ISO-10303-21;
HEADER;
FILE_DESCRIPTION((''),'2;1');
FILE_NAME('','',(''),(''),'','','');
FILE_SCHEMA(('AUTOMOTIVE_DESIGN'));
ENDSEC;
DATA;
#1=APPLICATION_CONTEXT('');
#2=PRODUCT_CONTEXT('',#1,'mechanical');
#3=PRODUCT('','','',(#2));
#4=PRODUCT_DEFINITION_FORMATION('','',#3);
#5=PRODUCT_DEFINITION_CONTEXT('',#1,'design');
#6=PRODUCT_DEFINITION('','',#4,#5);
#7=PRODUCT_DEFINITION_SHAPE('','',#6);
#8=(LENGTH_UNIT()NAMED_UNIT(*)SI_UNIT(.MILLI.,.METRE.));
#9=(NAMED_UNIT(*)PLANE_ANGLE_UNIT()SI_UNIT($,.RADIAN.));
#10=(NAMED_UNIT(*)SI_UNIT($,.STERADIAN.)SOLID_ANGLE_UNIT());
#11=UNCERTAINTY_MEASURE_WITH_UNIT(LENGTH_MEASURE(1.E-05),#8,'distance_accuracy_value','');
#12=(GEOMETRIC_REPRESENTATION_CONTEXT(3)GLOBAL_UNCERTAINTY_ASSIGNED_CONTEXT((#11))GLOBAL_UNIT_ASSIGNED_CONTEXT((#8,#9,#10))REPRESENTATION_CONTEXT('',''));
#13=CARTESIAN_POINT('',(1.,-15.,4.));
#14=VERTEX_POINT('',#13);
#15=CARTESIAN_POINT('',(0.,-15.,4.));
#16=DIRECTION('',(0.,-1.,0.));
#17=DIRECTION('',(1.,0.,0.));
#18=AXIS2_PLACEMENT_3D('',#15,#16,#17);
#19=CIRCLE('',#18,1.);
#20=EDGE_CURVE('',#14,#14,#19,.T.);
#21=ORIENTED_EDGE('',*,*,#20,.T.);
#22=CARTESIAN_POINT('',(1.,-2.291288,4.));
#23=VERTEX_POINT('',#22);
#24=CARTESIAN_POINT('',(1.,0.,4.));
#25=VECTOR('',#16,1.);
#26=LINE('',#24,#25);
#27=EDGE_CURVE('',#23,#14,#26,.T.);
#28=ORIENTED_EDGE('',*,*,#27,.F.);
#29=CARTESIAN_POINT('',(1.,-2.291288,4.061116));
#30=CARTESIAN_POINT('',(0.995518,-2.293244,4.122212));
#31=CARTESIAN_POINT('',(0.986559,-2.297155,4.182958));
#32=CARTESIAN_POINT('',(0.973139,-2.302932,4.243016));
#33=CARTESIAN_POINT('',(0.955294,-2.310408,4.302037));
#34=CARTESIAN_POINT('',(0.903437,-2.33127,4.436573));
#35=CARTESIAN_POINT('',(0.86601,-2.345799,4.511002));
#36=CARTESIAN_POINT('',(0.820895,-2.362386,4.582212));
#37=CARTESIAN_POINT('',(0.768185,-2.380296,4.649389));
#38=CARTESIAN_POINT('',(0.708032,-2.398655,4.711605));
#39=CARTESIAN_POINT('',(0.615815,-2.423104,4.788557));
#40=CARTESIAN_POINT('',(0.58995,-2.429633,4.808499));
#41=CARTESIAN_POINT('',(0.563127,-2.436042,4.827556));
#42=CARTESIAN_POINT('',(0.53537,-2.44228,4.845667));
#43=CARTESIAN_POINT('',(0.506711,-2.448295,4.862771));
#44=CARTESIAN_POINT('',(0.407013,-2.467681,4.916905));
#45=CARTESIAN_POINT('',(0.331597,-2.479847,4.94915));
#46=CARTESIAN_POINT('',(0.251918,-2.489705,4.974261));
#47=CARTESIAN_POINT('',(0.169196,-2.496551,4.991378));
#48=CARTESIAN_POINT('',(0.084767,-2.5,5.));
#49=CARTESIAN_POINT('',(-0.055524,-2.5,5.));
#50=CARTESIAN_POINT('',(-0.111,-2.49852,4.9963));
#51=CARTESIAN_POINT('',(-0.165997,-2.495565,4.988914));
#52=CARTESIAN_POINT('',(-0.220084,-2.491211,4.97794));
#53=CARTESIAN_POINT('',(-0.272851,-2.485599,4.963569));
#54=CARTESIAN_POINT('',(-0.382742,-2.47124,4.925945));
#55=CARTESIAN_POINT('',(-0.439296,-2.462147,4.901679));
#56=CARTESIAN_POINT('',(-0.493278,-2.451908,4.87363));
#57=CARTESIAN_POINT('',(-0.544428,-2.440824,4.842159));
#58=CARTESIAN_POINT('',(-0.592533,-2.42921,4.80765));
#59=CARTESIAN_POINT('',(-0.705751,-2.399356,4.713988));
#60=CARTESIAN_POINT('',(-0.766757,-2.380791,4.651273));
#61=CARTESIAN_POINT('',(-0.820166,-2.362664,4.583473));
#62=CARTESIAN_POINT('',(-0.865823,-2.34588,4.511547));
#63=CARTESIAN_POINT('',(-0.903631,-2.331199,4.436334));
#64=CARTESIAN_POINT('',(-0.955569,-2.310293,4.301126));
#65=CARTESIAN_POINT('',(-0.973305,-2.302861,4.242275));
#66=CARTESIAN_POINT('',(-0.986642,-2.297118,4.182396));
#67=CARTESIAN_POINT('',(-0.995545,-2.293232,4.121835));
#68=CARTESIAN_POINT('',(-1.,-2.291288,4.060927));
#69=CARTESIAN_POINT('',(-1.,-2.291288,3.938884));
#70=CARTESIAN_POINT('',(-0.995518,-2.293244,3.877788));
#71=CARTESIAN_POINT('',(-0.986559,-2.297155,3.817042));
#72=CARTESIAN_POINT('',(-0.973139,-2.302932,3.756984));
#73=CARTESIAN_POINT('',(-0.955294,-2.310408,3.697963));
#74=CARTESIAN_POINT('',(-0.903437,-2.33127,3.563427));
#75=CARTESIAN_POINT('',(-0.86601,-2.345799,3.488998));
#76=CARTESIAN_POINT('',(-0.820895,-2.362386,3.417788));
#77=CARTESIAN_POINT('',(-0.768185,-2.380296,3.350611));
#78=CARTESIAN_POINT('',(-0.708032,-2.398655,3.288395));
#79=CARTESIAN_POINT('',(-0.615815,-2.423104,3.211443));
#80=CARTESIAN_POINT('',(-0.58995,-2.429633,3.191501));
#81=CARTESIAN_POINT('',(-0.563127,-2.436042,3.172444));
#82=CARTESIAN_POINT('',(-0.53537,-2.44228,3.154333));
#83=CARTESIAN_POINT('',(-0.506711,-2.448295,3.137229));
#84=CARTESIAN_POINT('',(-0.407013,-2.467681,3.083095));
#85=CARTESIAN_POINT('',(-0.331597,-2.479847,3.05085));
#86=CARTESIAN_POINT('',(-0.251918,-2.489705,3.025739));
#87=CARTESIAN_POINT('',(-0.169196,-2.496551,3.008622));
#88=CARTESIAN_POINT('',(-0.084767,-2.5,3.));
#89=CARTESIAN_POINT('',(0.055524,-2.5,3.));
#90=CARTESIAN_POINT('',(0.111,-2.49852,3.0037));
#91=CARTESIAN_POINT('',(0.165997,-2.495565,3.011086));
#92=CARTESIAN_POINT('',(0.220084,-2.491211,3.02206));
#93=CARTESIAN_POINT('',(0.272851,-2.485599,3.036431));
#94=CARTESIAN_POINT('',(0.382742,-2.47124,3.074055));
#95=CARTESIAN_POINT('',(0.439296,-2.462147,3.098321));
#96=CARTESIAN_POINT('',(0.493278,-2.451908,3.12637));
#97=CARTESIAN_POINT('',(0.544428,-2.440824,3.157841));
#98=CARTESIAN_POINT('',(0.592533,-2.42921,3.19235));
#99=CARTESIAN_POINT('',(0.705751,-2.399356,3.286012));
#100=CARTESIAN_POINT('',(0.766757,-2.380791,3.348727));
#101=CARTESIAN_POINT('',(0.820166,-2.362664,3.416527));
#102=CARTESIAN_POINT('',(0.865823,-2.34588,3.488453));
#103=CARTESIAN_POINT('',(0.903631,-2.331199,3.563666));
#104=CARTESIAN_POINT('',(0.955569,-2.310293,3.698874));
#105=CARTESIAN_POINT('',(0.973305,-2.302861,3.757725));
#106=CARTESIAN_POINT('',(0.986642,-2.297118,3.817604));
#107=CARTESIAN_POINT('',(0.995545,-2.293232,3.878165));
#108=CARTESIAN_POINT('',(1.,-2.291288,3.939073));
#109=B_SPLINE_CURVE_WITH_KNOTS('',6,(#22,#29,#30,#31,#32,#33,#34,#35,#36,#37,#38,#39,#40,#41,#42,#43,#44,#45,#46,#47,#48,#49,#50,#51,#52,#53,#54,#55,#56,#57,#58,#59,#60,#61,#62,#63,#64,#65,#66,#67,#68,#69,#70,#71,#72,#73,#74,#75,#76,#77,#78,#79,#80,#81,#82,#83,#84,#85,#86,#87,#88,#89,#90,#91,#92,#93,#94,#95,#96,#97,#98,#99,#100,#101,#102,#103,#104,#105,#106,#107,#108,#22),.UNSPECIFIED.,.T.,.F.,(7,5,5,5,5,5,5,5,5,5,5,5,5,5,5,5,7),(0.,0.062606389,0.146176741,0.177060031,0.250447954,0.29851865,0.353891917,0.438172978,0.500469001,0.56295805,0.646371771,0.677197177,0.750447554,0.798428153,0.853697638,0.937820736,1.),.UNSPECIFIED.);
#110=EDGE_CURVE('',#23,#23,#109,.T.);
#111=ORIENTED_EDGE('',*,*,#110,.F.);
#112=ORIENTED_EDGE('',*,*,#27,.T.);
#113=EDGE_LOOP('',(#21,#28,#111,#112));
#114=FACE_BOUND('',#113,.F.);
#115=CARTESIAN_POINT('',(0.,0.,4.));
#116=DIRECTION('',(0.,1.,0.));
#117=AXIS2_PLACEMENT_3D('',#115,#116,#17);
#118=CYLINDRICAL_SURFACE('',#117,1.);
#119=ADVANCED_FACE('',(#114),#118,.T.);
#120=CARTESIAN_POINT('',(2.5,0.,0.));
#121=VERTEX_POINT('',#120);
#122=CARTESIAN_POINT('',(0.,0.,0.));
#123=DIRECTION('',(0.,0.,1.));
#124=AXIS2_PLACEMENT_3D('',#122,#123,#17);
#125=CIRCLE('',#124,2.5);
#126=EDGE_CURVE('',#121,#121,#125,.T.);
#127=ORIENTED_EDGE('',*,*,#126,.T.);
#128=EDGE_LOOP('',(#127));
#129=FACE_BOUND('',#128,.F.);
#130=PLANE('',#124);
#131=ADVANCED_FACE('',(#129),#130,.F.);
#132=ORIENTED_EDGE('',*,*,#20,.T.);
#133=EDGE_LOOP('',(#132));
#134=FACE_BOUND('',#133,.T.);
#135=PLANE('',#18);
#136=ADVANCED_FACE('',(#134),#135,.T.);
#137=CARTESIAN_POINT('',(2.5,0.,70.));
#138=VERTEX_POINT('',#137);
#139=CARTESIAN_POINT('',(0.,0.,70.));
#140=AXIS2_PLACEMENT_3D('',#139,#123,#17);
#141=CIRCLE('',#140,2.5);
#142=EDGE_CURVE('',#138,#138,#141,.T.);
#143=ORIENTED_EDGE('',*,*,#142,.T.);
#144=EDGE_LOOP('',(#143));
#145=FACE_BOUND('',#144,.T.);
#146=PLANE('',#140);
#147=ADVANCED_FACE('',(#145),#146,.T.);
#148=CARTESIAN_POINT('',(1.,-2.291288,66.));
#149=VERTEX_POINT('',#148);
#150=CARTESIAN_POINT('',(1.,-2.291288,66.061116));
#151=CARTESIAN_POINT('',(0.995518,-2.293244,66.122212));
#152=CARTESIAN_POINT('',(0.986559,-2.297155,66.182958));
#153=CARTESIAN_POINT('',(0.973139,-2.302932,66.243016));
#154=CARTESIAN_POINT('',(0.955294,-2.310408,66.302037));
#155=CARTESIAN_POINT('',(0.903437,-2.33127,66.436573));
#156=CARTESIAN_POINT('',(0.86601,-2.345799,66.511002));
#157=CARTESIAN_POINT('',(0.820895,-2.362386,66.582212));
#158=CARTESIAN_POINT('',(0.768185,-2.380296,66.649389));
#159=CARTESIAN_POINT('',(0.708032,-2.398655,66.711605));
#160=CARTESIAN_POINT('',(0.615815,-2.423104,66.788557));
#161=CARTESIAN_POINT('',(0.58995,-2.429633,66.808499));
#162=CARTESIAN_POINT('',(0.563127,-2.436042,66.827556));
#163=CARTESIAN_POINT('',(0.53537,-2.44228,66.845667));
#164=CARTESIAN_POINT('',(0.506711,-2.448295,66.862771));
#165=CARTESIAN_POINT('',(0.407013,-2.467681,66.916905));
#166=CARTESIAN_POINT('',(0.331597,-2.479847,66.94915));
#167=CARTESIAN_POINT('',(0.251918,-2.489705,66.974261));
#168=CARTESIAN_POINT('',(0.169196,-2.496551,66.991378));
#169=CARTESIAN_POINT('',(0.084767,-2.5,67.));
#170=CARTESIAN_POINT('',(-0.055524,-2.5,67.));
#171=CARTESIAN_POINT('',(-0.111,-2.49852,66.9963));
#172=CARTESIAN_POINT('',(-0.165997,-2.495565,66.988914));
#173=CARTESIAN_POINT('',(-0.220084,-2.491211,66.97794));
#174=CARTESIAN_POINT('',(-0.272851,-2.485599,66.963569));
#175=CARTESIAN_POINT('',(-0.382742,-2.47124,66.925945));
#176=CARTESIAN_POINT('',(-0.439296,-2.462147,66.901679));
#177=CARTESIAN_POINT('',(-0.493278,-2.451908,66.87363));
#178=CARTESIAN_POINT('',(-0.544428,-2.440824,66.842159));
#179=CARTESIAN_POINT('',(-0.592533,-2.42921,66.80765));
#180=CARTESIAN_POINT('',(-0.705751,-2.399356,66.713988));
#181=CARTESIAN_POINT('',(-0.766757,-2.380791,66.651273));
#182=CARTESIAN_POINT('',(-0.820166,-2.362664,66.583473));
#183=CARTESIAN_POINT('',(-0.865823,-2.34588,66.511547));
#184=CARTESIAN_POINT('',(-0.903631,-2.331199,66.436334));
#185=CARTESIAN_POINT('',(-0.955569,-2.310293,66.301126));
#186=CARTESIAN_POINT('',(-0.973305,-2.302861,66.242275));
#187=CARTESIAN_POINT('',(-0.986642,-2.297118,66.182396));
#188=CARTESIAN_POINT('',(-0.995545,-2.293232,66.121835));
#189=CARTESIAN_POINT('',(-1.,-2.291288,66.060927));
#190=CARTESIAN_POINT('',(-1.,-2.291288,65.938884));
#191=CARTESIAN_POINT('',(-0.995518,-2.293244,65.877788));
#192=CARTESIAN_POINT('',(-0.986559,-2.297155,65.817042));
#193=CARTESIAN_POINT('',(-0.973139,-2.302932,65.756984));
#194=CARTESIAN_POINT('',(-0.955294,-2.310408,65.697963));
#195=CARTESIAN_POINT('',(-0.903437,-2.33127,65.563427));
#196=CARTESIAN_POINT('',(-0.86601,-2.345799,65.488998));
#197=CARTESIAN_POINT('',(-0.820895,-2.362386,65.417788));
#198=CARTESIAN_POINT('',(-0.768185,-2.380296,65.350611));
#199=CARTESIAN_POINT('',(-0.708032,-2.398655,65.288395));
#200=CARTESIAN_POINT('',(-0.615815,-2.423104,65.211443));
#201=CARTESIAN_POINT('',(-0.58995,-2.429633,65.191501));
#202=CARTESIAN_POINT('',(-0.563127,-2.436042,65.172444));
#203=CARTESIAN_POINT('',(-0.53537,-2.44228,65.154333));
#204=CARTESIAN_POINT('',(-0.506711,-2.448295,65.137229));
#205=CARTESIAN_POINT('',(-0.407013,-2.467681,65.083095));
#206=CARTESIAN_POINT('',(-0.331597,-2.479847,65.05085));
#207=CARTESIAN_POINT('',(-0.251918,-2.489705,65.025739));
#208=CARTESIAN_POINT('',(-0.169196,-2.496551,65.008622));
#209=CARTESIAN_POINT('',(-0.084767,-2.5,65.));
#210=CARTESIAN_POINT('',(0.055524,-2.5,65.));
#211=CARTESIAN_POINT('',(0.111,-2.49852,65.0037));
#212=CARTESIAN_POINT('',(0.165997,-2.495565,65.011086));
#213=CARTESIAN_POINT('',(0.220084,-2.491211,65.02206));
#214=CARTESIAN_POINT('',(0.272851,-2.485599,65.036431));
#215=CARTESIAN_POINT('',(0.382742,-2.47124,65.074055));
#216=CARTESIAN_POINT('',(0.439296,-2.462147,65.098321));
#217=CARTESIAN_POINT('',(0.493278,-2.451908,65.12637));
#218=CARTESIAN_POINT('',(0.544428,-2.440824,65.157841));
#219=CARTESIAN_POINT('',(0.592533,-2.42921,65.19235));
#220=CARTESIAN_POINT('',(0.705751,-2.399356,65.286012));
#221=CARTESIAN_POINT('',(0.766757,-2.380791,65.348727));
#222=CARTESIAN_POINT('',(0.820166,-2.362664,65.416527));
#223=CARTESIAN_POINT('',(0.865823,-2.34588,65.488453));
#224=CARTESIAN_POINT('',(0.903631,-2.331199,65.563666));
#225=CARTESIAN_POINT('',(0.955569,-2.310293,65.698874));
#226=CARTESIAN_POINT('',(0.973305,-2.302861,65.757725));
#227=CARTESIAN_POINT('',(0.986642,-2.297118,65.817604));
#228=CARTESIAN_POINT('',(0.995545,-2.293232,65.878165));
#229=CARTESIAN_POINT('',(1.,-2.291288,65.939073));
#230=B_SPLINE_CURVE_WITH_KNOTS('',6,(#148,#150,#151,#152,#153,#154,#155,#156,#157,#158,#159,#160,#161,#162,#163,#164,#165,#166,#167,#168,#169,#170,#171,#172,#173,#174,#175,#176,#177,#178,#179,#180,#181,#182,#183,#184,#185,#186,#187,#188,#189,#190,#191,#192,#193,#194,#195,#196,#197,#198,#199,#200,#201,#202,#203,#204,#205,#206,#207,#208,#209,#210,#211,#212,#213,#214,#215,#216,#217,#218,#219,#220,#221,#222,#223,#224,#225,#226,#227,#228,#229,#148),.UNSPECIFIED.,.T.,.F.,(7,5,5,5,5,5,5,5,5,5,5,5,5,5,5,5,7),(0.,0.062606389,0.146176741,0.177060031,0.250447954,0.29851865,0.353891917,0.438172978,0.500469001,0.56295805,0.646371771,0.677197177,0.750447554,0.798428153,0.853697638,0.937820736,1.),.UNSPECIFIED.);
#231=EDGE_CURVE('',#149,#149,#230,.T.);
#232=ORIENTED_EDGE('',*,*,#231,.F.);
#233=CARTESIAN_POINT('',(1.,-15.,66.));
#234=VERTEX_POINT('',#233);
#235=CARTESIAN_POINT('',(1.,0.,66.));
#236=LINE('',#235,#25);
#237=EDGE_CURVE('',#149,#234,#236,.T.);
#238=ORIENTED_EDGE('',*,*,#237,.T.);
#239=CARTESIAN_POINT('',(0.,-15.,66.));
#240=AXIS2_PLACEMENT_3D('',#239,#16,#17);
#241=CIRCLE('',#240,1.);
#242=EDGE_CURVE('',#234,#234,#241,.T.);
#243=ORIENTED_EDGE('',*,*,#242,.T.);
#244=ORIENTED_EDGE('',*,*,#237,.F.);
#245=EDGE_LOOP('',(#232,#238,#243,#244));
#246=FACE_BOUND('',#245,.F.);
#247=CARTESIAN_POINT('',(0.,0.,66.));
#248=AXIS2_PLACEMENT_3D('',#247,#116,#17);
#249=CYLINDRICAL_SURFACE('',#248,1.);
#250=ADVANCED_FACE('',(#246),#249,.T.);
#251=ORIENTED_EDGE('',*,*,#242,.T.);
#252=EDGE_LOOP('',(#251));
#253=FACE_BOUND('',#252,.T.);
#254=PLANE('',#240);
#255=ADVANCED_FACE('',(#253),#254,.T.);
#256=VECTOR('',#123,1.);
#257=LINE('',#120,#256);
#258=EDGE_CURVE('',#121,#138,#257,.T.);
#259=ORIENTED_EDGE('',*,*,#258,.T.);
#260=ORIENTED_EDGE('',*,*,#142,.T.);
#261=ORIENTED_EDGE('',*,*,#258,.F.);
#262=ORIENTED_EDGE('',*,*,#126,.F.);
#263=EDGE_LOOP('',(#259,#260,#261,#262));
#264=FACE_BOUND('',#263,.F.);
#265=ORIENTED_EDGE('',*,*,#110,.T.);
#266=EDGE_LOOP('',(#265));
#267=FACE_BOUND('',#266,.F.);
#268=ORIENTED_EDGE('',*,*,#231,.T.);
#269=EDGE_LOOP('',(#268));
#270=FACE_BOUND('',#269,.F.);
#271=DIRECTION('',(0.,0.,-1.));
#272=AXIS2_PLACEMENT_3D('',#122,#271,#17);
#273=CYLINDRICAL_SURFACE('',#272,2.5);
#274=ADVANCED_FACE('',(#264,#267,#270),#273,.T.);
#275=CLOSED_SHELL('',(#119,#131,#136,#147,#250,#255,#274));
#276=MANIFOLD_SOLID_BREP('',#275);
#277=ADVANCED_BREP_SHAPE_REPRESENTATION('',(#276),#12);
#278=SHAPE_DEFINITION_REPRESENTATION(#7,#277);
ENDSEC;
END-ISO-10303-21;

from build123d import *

# Parameters (mm, degrees)
F0_R     = 2.5
F1_DEPTH = 70
F2_R     = 1
F3_DEPTH = 15


with BuildPart() as f1:
    # F0 (on Top) → F1 (new body)
    with BuildSketch(Plane.XY):
        Circle(F0_R)
    extrude(amount=F1_DEPTH)

    # F2 (on Front) → F3 (join)
    with BuildSketch(Plane.XZ):
        with Locations((0, 66)):
            Circle(F2_R)
        with Locations((0, 4)):
            Circle(F2_R)
    extrude(amount=F3_DEPTH)


solid = f1.part
